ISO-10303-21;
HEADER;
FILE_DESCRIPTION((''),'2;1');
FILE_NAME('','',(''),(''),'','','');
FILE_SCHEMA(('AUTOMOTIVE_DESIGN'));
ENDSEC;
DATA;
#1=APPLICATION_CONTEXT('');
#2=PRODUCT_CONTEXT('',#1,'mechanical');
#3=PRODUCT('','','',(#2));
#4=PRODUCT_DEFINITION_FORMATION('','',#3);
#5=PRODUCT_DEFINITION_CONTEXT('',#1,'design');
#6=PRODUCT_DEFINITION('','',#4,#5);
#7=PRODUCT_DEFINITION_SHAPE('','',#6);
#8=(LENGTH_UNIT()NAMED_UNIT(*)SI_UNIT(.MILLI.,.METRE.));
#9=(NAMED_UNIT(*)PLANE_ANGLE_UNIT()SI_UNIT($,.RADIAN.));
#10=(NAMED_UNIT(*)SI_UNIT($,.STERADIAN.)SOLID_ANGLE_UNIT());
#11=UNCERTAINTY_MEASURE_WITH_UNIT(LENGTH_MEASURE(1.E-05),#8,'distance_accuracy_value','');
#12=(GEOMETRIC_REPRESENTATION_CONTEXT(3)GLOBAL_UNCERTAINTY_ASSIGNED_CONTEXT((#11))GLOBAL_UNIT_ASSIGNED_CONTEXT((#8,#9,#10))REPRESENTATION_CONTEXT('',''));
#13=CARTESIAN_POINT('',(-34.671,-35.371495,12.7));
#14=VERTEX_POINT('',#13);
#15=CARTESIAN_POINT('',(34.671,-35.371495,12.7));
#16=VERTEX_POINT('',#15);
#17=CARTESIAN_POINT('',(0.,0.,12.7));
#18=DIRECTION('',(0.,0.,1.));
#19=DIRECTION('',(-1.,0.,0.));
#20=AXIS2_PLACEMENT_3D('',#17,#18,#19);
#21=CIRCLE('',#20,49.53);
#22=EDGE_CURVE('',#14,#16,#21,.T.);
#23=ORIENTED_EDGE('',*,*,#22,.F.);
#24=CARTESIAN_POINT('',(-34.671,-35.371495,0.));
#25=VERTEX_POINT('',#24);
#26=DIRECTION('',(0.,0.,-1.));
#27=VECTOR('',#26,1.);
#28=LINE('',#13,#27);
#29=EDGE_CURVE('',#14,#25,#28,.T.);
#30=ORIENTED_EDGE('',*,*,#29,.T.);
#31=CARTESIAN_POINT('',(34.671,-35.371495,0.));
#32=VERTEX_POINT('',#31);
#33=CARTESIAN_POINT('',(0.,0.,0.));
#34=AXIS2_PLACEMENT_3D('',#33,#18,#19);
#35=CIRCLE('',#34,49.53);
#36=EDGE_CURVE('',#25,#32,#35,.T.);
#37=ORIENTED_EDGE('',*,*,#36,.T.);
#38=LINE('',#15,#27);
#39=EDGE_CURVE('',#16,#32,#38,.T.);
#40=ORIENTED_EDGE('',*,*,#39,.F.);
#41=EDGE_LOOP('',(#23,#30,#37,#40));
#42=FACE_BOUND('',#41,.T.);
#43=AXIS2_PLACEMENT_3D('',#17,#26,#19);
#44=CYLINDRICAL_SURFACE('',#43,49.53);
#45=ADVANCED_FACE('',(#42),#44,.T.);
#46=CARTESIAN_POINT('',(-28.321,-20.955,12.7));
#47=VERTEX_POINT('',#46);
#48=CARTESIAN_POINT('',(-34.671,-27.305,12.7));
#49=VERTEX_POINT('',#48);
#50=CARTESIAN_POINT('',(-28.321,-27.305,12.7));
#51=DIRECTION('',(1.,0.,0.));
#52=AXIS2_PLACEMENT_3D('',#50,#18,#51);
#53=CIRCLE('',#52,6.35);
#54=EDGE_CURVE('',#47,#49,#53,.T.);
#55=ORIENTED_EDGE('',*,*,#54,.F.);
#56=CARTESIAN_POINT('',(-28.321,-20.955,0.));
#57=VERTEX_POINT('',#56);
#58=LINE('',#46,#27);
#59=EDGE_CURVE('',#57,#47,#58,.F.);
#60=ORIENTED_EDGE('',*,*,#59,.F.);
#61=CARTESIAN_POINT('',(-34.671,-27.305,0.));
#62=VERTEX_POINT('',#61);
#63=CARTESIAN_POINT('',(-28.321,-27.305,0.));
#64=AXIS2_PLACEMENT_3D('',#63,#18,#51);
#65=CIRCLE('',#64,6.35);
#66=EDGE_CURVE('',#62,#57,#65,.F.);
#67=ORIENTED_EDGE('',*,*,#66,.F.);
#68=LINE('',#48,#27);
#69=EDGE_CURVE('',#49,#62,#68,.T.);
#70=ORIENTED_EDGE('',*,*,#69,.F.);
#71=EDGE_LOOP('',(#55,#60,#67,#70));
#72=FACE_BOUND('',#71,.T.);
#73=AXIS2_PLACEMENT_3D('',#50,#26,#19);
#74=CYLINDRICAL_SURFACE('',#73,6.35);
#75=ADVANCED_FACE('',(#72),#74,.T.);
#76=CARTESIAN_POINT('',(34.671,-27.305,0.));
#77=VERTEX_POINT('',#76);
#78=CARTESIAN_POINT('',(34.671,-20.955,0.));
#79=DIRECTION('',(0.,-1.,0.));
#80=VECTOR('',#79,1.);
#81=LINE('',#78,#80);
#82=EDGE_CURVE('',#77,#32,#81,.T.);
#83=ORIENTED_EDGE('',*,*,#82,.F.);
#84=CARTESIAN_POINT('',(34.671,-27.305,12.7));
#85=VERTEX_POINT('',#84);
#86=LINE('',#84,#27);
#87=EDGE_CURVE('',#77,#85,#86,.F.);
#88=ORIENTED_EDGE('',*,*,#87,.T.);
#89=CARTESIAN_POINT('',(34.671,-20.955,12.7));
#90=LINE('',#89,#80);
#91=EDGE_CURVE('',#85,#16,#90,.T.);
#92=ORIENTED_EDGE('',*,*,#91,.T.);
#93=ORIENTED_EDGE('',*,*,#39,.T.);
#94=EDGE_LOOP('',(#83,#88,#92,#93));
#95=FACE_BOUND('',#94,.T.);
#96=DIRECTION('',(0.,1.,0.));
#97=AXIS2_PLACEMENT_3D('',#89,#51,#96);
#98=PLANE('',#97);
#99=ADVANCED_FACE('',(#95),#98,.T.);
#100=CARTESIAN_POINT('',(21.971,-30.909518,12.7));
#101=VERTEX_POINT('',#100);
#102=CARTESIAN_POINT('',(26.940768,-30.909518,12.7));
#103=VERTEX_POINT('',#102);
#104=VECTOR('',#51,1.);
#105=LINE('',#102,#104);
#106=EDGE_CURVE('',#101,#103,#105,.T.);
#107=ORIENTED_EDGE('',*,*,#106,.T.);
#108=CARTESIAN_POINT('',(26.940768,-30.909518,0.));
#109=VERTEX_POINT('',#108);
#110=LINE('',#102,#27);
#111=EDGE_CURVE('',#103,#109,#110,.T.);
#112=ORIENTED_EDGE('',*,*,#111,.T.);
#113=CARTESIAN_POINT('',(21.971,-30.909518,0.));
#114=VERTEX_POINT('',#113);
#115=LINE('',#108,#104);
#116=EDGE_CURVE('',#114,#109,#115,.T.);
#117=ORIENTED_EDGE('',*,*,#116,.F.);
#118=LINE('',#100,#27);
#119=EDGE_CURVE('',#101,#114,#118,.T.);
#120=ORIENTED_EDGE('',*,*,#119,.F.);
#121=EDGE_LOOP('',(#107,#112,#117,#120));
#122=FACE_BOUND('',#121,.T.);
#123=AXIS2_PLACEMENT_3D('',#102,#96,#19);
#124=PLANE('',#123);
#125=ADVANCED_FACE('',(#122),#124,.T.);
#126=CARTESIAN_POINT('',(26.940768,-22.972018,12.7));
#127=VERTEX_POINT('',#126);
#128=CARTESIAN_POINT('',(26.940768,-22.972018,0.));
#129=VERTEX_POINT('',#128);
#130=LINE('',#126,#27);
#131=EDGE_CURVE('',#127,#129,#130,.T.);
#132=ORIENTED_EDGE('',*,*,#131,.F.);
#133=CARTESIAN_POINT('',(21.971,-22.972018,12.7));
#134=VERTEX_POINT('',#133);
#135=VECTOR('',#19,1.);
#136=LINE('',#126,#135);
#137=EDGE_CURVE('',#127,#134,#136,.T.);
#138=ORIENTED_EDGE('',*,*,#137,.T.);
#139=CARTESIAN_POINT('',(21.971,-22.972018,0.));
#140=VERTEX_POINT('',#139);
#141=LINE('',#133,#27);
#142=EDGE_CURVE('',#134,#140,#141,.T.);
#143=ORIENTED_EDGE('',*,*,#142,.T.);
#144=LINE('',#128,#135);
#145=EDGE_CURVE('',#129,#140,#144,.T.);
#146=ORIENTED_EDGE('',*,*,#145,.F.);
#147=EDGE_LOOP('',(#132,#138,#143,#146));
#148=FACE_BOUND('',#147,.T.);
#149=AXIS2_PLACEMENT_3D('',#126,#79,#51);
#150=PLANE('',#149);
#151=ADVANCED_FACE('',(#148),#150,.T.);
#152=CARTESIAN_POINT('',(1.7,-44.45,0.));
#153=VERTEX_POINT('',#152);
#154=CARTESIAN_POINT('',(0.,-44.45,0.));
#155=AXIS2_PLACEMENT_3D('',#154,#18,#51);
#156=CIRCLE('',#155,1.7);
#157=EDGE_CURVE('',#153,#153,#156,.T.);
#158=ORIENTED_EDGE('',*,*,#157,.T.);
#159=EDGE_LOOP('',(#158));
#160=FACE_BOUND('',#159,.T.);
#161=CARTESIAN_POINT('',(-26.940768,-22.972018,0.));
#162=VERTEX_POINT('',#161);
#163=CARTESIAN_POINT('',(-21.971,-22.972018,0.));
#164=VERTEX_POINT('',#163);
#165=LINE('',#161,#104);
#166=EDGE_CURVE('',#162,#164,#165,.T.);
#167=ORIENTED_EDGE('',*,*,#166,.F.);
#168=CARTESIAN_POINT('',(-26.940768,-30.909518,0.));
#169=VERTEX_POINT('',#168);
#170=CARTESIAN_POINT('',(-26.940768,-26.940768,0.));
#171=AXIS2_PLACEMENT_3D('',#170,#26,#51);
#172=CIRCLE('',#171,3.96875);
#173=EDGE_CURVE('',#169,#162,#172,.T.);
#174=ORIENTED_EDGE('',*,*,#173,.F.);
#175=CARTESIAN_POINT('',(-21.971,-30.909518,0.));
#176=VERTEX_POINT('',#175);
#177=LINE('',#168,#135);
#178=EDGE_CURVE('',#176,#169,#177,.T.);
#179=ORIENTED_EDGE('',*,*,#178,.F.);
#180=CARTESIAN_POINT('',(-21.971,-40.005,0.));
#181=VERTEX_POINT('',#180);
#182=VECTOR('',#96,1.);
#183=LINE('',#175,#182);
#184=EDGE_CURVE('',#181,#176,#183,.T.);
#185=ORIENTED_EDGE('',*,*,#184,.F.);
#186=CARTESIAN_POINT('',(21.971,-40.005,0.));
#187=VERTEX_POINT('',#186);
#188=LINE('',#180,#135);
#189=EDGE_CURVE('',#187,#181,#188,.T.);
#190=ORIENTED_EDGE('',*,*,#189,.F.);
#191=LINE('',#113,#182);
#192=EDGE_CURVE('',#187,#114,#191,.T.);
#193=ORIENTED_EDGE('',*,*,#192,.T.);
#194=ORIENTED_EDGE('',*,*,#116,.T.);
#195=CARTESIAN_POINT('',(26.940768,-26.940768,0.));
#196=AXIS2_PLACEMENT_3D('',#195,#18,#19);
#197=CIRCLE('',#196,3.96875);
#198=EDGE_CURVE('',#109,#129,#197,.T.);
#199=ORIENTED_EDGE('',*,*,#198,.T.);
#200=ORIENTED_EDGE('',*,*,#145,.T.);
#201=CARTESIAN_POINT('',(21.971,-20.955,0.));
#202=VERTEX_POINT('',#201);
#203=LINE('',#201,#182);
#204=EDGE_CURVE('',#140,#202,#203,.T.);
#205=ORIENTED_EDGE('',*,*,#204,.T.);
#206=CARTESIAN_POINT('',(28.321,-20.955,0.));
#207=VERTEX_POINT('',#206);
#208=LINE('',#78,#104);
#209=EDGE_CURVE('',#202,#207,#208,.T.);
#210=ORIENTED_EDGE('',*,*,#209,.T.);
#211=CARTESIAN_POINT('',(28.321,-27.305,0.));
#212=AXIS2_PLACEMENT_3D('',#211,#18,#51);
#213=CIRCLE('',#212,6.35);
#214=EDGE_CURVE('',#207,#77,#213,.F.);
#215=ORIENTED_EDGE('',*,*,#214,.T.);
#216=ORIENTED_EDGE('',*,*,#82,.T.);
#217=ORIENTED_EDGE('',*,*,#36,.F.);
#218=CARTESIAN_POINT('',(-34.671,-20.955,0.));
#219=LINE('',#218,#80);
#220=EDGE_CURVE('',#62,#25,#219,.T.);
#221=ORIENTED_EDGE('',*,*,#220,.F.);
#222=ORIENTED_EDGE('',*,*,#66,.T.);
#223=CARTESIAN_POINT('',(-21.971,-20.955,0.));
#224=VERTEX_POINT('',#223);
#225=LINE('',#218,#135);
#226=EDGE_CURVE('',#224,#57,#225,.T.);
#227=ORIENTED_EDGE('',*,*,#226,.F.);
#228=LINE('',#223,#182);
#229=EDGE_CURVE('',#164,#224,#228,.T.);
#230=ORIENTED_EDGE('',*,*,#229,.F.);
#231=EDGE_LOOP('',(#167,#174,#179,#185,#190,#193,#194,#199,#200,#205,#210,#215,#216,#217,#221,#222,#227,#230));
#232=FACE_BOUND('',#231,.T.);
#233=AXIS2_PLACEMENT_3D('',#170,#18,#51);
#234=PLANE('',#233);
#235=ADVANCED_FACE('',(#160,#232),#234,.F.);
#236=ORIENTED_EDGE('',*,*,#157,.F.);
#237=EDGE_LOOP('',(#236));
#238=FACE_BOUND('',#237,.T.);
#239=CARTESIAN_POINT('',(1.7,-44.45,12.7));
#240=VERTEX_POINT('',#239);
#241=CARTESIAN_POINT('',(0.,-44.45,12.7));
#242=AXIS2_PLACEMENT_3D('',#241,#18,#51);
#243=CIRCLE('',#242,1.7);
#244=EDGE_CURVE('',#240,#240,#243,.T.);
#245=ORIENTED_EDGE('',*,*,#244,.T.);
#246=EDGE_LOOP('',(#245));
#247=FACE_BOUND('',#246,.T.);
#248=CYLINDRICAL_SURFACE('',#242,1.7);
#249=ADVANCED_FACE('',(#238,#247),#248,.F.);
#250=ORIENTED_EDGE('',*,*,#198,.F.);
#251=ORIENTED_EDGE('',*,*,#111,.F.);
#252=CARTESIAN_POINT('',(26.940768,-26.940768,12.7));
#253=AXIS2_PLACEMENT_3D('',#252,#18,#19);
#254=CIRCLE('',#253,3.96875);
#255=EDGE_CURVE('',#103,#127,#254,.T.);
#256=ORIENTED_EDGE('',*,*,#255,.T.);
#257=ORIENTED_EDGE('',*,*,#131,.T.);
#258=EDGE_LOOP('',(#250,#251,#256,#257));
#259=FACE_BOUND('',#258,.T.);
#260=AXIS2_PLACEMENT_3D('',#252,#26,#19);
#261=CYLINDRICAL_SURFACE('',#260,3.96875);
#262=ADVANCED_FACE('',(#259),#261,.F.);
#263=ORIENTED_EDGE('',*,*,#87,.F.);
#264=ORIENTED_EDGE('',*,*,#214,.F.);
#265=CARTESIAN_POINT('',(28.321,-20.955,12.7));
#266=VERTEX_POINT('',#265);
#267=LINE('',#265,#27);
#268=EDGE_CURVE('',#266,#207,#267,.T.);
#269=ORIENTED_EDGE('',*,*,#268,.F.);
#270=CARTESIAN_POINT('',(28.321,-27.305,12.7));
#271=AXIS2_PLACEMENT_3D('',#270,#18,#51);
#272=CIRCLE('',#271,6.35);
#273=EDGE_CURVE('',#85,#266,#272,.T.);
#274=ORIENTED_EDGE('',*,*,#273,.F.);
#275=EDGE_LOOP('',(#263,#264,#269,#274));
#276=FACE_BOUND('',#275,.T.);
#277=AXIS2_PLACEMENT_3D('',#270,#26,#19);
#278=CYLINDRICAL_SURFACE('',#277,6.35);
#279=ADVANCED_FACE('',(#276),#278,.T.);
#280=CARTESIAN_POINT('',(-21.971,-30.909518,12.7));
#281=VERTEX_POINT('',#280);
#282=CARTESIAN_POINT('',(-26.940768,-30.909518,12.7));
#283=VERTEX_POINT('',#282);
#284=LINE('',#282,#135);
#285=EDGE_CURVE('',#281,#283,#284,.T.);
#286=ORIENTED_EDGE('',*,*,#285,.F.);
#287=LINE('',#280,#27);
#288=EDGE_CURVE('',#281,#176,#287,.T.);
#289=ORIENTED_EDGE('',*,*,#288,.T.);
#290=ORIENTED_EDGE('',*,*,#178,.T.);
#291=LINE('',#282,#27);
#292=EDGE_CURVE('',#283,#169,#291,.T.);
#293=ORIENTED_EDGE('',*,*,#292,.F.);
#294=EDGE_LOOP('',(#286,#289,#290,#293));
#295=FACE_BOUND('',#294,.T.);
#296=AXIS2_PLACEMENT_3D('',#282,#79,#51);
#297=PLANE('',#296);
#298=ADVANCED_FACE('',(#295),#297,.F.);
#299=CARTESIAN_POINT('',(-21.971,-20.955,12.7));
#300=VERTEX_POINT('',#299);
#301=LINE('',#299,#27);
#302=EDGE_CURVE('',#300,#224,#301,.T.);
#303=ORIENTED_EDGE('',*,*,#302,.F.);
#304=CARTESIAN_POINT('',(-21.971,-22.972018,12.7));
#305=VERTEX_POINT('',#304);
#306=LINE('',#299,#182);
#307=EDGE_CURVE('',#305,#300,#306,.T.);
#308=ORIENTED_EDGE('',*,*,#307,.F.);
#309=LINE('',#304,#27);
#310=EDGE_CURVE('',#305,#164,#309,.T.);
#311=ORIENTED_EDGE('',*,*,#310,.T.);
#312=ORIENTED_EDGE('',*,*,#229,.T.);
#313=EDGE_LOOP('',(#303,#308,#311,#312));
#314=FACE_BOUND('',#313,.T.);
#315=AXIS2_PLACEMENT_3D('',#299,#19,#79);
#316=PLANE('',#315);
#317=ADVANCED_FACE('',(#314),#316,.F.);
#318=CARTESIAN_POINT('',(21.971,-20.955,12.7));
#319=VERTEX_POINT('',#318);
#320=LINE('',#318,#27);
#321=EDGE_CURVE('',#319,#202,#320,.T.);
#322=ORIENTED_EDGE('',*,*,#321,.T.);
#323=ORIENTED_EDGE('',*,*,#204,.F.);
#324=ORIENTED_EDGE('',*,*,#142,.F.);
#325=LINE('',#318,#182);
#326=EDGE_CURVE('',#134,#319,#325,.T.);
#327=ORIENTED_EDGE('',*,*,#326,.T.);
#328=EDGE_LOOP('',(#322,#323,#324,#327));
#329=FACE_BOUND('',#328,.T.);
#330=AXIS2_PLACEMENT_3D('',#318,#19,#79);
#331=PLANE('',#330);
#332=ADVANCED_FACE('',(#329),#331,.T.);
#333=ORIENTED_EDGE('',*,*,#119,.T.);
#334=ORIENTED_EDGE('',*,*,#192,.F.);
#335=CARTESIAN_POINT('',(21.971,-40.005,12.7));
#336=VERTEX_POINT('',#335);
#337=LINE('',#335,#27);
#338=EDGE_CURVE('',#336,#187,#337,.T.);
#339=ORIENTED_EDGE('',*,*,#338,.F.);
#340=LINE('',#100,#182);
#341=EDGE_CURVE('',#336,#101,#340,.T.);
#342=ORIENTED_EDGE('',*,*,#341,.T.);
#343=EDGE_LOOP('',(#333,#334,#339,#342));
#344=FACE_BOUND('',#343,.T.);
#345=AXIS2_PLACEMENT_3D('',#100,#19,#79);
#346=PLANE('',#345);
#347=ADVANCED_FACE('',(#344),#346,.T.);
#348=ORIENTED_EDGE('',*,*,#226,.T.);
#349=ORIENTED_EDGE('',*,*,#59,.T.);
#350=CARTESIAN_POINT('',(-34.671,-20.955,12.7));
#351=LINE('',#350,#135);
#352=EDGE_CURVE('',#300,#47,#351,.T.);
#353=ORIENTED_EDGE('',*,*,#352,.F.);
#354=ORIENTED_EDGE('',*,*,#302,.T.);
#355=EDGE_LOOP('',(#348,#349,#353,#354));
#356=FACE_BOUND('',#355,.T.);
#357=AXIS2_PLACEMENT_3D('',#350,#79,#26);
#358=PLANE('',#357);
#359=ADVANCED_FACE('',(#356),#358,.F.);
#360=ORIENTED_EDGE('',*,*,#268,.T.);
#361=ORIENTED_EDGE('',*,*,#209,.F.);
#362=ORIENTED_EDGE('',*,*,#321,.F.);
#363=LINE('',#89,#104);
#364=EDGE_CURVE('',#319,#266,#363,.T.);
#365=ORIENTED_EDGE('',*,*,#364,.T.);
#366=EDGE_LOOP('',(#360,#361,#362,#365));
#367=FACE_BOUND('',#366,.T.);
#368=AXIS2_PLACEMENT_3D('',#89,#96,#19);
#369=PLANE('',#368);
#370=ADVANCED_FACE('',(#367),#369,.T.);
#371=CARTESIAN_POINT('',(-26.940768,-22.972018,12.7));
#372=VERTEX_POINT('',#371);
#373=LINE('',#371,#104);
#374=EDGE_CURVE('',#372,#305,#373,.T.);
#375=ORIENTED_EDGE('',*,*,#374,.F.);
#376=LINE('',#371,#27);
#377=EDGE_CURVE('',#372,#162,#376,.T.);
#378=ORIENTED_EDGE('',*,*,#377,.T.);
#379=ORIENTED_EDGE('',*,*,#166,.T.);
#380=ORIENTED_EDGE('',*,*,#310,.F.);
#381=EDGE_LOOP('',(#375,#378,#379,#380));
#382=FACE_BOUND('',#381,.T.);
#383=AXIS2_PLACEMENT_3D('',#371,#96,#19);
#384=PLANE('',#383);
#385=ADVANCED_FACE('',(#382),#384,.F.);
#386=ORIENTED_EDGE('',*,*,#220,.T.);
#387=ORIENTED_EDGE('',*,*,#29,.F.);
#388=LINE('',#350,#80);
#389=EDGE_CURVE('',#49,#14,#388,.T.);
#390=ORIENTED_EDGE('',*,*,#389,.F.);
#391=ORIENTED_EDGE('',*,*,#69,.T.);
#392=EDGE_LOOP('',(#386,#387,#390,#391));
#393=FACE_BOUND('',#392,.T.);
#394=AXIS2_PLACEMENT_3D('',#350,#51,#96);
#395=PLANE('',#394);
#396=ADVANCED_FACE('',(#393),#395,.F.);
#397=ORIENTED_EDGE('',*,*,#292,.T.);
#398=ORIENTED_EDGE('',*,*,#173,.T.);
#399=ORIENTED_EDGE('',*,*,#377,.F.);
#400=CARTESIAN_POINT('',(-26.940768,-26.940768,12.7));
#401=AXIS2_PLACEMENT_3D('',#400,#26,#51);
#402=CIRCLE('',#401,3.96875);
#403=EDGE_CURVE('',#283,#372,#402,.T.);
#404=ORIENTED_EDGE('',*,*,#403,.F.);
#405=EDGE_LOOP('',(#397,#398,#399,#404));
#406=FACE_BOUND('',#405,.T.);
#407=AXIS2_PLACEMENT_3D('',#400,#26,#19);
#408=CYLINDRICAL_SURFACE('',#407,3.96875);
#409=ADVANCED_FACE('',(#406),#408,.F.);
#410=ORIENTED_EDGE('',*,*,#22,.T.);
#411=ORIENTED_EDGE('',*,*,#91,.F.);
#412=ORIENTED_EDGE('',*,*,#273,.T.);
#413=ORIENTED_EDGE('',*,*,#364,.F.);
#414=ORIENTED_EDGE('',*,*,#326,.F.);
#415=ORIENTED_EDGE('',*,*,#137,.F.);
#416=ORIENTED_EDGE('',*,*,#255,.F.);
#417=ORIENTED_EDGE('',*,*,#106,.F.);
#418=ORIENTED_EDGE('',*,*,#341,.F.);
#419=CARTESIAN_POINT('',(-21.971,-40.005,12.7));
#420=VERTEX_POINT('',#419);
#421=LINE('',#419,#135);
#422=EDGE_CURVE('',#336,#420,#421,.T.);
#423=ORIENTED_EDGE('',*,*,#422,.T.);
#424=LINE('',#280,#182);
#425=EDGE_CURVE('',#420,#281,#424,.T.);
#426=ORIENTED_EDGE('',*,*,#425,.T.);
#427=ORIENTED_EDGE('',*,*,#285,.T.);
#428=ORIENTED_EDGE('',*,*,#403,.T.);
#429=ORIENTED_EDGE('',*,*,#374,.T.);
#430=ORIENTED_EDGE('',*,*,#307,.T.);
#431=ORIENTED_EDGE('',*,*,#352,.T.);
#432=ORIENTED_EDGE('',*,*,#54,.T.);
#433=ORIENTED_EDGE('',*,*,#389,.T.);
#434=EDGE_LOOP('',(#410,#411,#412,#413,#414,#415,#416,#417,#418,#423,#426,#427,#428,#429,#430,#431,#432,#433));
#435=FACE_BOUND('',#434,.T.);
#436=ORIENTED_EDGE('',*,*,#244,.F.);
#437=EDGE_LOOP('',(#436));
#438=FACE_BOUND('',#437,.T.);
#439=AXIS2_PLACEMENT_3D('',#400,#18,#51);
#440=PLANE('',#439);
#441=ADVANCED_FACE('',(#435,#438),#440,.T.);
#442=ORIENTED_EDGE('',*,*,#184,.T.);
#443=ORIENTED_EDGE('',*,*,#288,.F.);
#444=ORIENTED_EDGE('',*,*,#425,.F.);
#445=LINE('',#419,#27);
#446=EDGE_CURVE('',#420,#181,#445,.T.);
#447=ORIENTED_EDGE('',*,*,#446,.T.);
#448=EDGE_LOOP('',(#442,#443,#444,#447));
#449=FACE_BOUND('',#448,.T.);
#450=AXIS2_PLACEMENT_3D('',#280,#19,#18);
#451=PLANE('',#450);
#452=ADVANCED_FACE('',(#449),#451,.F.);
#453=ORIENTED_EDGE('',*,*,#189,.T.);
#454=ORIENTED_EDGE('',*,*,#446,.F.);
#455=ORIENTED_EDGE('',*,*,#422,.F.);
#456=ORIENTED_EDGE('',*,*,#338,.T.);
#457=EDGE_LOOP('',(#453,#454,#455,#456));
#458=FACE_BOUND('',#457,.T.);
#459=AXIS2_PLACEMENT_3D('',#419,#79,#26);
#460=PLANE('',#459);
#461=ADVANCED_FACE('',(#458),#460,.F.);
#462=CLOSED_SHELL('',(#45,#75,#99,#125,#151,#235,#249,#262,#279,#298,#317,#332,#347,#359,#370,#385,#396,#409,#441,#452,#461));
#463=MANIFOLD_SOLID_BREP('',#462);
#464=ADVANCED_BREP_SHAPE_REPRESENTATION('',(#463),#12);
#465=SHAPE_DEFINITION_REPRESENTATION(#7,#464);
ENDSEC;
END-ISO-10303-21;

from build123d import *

# Parameters (mm, degrees)
BOSS_EXTRUDE1_DEPTH  = 12.7
FILLET1_R            = 6.35
M3_CLEARANCE_HOLE1_D = 3.4


with BuildPart() as part:
    # Sketch2 → Boss-Extrude1 (new body)
    with BuildSketch(Plane.XY):
        with BuildLine():
            Line((-34.671, -20.955), (-34.671, -35.371495007))
            ThreePointArc((-34.671, -35.371495007), (-18.725260376, -45.85395865), (0, -49.53))
            Line((0, -49.53), (0, -40.005))
            Line((0, -40.005), (-21.971, -40.005))
            Line((-21.971, -40.005), (-21.971, -30.909518363))
            Line((-21.971, -30.909518363), (-26.940768363, -30.909518363))
            ThreePointArc((-26.940768363, -30.909518363), (-30.909518363, -26.940768363), (-26.940768363, -22.972018363))
            Line((-26.940768363, -22.972018363), (-21.971, -22.972018363))
            Line((-21.971, -22.972018363), (-21.971, -20.955))
            Line((-21.971, -20.955), (-34.671, -20.955))
        make_face()
    boss_extrude1 = extrude(amount=BOSS_EXTRUDE1_DEPTH)

    # Mirror1: Boss-Extrude1 across plane
    add(boss_extrude1.mirror(Plane(origin=(0, -40.005, 12.7), x_dir=(0, 0, 1), z_dir=(-1, 0, 0))))

    # Fillet1
    fillet1_edges = [part.edges().sort_by_distance(p)[0] for p in [
        (-34.671, -20.955, 6.35),
        (34.671, -20.955, 6.35),
    ]]
    fillet(fillet1_edges, radius=FILLET1_R)

    # M3 Clearance Hole1 (through all)
    with Locations(Plane.XY.offset(12.7)):
        with Locations((0, -44.45)):
            Hole(M3_CLEARANCE_HOLE1_D / 2)


solid = part.part
